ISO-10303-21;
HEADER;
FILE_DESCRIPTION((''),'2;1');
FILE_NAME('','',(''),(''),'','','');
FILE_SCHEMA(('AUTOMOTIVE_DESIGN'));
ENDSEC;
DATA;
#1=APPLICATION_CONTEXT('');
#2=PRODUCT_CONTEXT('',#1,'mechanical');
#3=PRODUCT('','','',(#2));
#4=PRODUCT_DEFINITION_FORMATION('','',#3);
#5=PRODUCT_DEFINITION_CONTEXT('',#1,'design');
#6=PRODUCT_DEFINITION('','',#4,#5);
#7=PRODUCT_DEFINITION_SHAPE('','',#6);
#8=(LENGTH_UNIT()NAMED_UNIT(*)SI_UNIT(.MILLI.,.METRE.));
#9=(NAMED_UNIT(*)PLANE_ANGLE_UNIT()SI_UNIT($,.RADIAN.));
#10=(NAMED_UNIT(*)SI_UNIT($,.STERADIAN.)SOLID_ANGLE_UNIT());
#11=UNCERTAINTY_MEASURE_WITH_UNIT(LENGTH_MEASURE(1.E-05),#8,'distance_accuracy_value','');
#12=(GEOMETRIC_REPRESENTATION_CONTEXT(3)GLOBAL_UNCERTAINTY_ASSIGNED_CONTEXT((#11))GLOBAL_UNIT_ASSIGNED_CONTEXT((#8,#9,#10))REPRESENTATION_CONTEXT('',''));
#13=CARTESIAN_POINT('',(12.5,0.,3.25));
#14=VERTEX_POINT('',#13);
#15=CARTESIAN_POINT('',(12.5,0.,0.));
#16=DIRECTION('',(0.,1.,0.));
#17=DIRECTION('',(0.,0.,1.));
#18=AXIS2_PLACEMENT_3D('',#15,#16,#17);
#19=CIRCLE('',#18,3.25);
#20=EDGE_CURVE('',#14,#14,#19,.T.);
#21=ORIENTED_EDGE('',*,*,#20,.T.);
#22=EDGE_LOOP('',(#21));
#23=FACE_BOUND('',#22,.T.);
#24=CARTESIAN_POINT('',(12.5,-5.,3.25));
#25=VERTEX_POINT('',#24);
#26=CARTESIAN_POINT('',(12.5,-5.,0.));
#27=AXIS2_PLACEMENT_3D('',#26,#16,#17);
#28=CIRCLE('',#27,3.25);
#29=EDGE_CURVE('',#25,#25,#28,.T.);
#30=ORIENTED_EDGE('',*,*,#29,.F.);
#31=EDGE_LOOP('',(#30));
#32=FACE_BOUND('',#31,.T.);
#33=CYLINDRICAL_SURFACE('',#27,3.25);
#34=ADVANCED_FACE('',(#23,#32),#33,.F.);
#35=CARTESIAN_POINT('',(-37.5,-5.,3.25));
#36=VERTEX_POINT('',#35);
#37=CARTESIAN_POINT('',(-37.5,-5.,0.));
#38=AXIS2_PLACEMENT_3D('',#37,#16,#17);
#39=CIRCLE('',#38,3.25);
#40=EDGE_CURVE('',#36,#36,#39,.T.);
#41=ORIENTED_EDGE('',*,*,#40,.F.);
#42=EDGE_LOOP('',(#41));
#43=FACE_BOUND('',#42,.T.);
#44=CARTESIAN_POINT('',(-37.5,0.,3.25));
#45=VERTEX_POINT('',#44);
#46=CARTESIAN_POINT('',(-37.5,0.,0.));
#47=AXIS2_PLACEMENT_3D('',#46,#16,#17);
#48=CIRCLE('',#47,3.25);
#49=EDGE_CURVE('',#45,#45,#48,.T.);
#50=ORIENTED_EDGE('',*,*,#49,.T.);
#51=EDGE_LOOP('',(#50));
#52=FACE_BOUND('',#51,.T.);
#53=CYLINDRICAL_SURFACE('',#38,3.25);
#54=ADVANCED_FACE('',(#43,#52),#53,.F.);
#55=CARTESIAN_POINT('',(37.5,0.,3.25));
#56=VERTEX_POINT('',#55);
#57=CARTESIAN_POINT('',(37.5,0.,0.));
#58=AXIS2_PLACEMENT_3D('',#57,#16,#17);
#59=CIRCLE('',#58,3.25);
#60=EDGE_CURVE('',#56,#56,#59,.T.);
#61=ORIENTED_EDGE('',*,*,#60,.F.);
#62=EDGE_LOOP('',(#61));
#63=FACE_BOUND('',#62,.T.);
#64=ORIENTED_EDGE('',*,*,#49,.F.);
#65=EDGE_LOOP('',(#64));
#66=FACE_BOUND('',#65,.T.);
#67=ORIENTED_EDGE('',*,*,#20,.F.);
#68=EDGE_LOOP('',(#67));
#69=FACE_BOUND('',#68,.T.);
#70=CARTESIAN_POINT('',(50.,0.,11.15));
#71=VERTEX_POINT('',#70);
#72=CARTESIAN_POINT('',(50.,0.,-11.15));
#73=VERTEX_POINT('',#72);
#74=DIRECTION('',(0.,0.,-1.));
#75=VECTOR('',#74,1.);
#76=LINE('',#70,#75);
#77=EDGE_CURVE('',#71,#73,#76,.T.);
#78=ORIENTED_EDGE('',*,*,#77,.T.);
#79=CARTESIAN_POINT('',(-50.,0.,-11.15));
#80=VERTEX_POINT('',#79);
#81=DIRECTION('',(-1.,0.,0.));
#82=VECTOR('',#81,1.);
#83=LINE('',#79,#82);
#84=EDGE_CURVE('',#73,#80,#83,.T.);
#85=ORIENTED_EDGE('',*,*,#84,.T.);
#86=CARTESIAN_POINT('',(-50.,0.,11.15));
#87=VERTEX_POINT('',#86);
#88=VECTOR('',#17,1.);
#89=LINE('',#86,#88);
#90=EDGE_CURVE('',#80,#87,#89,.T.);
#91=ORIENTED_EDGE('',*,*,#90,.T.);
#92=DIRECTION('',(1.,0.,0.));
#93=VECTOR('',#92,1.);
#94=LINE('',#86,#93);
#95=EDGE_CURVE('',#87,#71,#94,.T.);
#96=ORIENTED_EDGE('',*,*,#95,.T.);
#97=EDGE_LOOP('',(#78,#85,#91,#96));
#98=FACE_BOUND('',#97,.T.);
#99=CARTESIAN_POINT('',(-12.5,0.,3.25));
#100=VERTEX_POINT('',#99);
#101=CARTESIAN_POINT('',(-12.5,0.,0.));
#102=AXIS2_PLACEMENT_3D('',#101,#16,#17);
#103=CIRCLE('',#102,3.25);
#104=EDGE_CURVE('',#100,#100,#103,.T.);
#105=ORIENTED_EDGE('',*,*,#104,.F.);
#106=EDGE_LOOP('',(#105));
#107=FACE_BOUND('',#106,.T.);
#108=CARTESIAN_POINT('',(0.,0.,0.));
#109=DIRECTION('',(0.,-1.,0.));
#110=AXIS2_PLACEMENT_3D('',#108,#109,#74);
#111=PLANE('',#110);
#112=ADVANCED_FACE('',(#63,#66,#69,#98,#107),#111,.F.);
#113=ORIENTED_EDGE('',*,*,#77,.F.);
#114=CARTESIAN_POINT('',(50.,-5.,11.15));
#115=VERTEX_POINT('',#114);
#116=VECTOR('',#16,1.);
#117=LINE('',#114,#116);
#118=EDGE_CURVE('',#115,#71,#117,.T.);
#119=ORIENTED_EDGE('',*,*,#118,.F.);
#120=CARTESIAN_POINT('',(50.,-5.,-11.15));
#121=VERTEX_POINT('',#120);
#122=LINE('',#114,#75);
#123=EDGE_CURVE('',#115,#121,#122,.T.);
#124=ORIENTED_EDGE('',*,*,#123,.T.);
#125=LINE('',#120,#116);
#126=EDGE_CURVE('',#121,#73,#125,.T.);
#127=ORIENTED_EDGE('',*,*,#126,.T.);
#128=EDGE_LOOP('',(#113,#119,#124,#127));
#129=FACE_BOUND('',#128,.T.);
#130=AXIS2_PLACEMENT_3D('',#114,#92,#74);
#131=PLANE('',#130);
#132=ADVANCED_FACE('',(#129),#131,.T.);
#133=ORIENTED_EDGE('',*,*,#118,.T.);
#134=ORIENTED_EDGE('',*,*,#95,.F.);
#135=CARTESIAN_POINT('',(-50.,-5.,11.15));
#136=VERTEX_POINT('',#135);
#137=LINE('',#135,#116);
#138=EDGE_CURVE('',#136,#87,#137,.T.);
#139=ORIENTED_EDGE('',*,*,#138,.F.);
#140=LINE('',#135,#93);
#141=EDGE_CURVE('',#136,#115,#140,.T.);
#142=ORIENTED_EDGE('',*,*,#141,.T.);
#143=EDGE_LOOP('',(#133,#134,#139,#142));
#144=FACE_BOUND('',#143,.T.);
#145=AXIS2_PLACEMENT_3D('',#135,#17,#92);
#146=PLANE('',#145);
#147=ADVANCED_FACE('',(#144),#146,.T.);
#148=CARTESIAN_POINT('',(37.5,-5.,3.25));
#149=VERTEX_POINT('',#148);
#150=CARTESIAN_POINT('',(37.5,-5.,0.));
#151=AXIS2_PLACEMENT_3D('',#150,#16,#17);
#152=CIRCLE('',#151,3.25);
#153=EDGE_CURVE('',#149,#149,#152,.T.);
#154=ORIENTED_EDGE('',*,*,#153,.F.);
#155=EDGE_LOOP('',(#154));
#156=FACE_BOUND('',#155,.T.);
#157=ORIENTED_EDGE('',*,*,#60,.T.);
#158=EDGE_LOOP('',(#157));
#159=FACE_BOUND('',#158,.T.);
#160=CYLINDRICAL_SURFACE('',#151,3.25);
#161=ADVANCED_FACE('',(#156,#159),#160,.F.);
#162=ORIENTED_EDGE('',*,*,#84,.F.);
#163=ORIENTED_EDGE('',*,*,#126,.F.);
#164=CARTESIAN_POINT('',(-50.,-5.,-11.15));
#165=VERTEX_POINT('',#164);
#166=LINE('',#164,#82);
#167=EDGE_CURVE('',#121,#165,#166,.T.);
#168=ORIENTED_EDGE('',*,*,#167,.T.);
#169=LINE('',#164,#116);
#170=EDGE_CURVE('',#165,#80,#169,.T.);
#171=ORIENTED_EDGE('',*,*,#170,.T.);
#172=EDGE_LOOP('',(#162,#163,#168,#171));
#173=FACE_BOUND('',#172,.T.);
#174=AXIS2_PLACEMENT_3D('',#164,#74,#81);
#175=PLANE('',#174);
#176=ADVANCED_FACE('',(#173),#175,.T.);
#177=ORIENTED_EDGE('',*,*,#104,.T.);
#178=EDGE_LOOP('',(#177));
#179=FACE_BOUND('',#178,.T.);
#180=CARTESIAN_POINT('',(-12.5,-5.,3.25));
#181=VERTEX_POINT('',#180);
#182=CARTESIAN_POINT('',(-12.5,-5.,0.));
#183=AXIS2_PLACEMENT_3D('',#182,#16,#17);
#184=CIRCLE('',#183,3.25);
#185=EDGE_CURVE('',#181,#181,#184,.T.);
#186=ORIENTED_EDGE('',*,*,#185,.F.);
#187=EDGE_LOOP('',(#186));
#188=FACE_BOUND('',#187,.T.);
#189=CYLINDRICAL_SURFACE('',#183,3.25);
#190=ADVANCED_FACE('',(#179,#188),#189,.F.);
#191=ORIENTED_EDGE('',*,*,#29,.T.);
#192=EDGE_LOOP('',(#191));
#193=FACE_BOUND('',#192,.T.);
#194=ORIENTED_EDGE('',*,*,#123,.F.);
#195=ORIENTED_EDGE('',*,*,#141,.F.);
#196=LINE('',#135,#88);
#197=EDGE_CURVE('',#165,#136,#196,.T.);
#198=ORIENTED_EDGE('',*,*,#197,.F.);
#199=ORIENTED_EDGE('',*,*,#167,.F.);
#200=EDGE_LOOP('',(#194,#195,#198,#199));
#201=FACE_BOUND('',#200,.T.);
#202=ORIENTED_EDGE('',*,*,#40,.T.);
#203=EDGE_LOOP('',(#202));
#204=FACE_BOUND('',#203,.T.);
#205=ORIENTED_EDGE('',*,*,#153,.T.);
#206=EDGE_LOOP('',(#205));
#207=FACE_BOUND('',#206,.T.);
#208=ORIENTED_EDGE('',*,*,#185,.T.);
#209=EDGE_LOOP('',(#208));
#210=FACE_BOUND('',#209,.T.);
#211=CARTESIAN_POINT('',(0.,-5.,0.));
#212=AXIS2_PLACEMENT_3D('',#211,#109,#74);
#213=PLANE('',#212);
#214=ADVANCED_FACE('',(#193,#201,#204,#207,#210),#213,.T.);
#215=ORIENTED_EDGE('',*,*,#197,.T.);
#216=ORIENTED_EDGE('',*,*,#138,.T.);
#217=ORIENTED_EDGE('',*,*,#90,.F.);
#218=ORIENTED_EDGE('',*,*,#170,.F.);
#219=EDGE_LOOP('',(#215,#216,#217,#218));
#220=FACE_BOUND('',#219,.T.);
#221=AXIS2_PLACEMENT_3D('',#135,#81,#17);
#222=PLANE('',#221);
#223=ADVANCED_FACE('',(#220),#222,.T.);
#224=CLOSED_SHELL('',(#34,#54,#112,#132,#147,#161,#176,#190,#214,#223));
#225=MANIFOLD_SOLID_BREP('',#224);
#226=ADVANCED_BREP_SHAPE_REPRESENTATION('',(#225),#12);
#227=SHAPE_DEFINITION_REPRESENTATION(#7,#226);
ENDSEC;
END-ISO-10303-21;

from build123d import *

# Parameters (mm, degrees)
SKETCH1_W           = 100
SKETCH1_H           = 22.3
SKETCH1_R           = 3.25
BOSS_EXTRUDE1_DEPTH = 5


with BuildPart() as part:
    # Sketch1 → Boss-Extrude1 (new body)
    with BuildSketch(Plane(origin=(0, 0, 0), x_dir=(1, 0, 0), z_dir=(0, 1, 0))):
        Rectangle(SKETCH1_W, SKETCH1_H)
        with Locations((-37.5, 0)):
            Circle(SKETCH1_R, mode=Mode.SUBTRACT)
        with Locations((-12.5, 0)):
            Circle(SKETCH1_R, mode=Mode.SUBTRACT)
        with Locations((12.5, 0)):
            Circle(SKETCH1_R, mode=Mode.SUBTRACT)
        with Locations((37.5, 0)):
            Circle(SKETCH1_R, mode=Mode.SUBTRACT)
    extrude(amount=-BOSS_EXTRUDE1_DEPTH)


solid = part.part
